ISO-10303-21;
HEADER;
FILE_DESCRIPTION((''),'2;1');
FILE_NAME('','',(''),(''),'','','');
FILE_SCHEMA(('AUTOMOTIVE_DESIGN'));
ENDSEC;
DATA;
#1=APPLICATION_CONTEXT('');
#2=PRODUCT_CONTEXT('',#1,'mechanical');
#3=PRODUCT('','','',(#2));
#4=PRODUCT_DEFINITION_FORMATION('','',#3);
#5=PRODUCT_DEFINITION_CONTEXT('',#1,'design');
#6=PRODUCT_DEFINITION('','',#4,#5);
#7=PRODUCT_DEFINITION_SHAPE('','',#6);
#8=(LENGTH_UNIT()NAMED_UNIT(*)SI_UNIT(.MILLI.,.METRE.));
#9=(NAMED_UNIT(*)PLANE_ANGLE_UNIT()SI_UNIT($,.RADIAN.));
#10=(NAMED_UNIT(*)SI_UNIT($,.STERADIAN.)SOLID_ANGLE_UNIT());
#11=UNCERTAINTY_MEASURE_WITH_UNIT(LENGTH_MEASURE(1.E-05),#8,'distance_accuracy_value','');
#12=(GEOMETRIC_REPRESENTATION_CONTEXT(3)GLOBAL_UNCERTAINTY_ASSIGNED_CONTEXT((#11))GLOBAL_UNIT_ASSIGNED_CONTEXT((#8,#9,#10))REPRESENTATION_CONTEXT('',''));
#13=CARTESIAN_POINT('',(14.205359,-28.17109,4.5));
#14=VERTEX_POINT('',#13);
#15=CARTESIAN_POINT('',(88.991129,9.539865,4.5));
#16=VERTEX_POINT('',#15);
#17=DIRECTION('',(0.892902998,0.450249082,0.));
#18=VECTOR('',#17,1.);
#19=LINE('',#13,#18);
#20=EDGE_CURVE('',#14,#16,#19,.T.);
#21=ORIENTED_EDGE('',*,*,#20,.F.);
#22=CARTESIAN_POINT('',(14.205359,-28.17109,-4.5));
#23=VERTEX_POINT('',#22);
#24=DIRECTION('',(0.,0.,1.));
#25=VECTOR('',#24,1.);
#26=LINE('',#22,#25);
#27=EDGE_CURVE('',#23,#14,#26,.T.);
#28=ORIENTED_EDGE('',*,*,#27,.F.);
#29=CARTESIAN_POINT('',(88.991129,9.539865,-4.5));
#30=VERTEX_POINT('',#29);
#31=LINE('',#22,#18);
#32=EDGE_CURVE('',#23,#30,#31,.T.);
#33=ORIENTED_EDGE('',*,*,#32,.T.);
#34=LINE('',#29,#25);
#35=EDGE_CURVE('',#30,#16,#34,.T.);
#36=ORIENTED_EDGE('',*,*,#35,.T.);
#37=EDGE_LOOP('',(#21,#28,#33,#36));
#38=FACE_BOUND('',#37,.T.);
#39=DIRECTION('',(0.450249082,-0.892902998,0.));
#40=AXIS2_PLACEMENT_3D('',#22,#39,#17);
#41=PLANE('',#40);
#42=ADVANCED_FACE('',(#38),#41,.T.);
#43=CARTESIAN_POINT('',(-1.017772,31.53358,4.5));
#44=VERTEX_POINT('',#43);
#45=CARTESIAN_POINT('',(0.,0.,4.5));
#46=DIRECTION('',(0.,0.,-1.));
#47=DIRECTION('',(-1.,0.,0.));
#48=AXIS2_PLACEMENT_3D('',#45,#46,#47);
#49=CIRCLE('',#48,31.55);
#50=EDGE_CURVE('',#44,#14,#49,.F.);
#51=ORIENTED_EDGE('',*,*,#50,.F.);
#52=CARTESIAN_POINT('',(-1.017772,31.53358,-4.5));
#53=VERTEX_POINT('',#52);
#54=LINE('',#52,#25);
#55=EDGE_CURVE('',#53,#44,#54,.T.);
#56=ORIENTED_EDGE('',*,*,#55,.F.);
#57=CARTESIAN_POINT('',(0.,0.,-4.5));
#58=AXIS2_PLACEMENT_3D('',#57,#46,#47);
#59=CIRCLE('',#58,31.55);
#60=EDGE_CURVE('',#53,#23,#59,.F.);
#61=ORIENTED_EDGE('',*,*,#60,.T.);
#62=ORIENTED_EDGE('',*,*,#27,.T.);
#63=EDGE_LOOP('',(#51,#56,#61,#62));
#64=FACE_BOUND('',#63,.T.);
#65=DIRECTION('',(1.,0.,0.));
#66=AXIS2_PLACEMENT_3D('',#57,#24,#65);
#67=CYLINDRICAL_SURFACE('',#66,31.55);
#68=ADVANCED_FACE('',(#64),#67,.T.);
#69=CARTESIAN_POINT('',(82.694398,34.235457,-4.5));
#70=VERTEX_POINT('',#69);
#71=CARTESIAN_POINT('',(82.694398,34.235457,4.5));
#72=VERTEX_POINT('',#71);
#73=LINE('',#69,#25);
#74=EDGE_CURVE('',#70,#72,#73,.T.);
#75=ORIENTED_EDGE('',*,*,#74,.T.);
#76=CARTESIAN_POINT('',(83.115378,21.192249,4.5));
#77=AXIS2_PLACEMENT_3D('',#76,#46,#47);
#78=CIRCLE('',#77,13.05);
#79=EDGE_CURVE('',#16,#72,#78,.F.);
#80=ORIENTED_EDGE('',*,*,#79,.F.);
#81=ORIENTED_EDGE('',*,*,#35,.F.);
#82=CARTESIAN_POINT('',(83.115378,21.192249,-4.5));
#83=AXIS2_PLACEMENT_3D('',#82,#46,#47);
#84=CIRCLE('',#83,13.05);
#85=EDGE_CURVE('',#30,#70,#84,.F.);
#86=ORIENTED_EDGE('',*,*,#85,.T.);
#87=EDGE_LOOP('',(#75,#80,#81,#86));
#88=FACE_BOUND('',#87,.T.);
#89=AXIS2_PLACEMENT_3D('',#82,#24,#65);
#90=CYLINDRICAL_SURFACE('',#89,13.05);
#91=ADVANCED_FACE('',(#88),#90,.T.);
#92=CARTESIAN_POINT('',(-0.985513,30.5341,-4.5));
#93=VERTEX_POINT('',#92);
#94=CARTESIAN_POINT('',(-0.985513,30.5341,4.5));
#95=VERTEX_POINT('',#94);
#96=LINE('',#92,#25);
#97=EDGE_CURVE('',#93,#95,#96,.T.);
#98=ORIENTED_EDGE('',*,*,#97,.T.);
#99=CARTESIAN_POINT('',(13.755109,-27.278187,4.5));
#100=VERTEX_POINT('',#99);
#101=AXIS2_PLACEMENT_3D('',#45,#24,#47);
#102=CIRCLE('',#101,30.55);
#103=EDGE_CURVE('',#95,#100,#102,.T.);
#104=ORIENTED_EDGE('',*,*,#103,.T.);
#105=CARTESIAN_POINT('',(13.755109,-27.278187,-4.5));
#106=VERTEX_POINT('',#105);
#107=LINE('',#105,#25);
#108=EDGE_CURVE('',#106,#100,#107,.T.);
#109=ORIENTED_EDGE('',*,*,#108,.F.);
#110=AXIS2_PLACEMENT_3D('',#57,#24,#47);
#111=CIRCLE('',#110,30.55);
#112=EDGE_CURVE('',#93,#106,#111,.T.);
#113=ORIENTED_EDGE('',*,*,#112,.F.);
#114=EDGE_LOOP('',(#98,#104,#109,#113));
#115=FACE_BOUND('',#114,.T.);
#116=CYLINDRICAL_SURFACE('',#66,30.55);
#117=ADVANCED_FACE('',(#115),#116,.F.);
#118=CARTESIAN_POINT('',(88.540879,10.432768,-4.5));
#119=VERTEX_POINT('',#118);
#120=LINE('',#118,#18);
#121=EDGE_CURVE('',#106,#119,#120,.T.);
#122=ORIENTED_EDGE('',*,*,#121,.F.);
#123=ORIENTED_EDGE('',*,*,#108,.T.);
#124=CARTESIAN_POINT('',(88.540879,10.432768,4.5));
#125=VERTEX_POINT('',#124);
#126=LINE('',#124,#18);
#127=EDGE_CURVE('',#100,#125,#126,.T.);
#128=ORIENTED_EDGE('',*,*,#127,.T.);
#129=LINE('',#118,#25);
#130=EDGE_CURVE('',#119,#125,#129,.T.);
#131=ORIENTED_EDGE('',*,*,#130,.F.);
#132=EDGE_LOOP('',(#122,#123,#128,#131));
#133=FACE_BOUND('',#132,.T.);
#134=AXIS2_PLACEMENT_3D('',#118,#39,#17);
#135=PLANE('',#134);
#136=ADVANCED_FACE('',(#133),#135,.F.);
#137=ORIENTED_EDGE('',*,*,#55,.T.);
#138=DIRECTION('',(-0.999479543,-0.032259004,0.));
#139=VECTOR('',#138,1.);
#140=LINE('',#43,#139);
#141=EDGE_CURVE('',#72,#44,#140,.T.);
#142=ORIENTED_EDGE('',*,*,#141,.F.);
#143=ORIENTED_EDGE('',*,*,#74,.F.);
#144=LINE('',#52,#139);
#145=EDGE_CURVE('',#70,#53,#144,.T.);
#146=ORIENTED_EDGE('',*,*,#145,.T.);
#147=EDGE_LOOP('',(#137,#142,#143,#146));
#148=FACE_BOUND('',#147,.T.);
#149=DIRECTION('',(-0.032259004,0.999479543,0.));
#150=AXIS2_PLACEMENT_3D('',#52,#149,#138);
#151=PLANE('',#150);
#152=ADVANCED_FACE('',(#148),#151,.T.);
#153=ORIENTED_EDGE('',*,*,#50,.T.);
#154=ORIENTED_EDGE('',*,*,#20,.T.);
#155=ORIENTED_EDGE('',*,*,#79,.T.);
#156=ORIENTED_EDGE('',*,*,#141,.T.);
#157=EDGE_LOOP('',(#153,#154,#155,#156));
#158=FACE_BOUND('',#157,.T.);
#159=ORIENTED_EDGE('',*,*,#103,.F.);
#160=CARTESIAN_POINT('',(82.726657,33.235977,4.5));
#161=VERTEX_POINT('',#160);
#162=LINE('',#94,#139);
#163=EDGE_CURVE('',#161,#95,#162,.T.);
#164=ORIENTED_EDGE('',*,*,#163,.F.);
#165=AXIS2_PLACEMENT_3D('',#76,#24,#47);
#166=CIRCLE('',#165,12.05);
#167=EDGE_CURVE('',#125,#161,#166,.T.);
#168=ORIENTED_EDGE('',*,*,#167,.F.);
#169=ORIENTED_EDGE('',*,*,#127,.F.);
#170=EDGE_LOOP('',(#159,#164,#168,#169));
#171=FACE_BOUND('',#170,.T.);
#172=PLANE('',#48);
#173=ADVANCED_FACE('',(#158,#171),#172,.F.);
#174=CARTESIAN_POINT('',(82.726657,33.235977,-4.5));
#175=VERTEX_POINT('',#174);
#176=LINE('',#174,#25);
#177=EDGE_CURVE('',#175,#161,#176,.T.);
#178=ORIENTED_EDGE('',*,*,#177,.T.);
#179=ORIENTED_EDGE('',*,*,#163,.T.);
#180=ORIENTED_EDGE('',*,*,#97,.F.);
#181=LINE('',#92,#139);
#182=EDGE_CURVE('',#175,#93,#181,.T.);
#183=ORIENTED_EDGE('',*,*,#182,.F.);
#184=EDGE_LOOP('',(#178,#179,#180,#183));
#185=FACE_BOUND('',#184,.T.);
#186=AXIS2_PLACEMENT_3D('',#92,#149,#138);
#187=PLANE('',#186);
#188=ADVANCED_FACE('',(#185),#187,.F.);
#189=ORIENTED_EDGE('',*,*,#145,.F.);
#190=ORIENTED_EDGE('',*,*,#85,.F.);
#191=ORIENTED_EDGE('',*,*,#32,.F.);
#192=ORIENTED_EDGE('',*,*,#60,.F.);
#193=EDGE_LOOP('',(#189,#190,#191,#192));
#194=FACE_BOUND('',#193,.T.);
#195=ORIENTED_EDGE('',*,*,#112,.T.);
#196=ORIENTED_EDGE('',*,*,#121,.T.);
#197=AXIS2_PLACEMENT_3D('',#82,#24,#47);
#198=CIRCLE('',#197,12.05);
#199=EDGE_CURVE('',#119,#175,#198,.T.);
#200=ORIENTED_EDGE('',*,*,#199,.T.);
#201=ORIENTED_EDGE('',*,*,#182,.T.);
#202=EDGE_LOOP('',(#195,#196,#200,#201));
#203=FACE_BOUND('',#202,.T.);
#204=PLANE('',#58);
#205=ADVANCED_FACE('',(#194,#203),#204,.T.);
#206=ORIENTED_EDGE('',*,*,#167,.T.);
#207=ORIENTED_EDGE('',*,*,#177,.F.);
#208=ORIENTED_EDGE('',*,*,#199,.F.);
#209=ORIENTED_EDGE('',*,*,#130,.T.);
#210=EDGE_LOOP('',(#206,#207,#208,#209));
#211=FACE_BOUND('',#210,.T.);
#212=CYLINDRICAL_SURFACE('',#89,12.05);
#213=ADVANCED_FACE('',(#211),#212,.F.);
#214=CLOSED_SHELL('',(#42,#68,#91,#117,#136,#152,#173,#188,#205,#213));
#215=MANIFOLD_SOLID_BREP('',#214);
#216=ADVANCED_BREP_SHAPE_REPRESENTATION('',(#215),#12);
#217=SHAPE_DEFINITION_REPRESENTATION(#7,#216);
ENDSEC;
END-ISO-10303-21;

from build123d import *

# Parameters (mm, degrees)
EXTRUDE_THIN1_DEPTH      = 4.5
EXTRUDE_THIN1_DEPTH_BACK = 4.5


with BuildPart() as part:
    # Sketch2 → Extrude-Thin1 (new, two sides: drawn at the far end of the back side and taken through both)
    with BuildSketch(Plane.XY.offset(-EXTRUDE_THIN1_DEPTH_BACK)):
        with BuildLine():
            Line((88.991128511, 9.539864846), (14.205358539, -28.171089592))
            ThreePointArc((14.205358539, -28.171089592), (-30.571882386, -7.795030941), (-1.017771578, 31.533579578))
            Line((-1.017771578, 31.533579578), (82.694397988, 34.235457007))
            ThreePointArc((82.694397988, 34.235457007), (95.760800024, 24.416501073), (88.991128511, 9.539864846))
        make_face()
        with BuildLine():
            Line((88.540879429, 10.432767844), (13.755109457, -27.278186594))
            ThreePointArc((13.755109457, -27.278186594), (-29.602884529, -7.547961814), (-0.985512574, 30.534100035))
            Line((-0.985512574, 30.534100035), (82.726656992, 33.235977464))
            ThreePointArc((82.726656992, 33.235977464), (94.791802167, 24.169431946), (88.540879429, 10.432767844))
        make_face(mode=Mode.SUBTRACT)
    extrude(amount=EXTRUDE_THIN1_DEPTH + EXTRUDE_THIN1_DEPTH_BACK)


solid = part.part
